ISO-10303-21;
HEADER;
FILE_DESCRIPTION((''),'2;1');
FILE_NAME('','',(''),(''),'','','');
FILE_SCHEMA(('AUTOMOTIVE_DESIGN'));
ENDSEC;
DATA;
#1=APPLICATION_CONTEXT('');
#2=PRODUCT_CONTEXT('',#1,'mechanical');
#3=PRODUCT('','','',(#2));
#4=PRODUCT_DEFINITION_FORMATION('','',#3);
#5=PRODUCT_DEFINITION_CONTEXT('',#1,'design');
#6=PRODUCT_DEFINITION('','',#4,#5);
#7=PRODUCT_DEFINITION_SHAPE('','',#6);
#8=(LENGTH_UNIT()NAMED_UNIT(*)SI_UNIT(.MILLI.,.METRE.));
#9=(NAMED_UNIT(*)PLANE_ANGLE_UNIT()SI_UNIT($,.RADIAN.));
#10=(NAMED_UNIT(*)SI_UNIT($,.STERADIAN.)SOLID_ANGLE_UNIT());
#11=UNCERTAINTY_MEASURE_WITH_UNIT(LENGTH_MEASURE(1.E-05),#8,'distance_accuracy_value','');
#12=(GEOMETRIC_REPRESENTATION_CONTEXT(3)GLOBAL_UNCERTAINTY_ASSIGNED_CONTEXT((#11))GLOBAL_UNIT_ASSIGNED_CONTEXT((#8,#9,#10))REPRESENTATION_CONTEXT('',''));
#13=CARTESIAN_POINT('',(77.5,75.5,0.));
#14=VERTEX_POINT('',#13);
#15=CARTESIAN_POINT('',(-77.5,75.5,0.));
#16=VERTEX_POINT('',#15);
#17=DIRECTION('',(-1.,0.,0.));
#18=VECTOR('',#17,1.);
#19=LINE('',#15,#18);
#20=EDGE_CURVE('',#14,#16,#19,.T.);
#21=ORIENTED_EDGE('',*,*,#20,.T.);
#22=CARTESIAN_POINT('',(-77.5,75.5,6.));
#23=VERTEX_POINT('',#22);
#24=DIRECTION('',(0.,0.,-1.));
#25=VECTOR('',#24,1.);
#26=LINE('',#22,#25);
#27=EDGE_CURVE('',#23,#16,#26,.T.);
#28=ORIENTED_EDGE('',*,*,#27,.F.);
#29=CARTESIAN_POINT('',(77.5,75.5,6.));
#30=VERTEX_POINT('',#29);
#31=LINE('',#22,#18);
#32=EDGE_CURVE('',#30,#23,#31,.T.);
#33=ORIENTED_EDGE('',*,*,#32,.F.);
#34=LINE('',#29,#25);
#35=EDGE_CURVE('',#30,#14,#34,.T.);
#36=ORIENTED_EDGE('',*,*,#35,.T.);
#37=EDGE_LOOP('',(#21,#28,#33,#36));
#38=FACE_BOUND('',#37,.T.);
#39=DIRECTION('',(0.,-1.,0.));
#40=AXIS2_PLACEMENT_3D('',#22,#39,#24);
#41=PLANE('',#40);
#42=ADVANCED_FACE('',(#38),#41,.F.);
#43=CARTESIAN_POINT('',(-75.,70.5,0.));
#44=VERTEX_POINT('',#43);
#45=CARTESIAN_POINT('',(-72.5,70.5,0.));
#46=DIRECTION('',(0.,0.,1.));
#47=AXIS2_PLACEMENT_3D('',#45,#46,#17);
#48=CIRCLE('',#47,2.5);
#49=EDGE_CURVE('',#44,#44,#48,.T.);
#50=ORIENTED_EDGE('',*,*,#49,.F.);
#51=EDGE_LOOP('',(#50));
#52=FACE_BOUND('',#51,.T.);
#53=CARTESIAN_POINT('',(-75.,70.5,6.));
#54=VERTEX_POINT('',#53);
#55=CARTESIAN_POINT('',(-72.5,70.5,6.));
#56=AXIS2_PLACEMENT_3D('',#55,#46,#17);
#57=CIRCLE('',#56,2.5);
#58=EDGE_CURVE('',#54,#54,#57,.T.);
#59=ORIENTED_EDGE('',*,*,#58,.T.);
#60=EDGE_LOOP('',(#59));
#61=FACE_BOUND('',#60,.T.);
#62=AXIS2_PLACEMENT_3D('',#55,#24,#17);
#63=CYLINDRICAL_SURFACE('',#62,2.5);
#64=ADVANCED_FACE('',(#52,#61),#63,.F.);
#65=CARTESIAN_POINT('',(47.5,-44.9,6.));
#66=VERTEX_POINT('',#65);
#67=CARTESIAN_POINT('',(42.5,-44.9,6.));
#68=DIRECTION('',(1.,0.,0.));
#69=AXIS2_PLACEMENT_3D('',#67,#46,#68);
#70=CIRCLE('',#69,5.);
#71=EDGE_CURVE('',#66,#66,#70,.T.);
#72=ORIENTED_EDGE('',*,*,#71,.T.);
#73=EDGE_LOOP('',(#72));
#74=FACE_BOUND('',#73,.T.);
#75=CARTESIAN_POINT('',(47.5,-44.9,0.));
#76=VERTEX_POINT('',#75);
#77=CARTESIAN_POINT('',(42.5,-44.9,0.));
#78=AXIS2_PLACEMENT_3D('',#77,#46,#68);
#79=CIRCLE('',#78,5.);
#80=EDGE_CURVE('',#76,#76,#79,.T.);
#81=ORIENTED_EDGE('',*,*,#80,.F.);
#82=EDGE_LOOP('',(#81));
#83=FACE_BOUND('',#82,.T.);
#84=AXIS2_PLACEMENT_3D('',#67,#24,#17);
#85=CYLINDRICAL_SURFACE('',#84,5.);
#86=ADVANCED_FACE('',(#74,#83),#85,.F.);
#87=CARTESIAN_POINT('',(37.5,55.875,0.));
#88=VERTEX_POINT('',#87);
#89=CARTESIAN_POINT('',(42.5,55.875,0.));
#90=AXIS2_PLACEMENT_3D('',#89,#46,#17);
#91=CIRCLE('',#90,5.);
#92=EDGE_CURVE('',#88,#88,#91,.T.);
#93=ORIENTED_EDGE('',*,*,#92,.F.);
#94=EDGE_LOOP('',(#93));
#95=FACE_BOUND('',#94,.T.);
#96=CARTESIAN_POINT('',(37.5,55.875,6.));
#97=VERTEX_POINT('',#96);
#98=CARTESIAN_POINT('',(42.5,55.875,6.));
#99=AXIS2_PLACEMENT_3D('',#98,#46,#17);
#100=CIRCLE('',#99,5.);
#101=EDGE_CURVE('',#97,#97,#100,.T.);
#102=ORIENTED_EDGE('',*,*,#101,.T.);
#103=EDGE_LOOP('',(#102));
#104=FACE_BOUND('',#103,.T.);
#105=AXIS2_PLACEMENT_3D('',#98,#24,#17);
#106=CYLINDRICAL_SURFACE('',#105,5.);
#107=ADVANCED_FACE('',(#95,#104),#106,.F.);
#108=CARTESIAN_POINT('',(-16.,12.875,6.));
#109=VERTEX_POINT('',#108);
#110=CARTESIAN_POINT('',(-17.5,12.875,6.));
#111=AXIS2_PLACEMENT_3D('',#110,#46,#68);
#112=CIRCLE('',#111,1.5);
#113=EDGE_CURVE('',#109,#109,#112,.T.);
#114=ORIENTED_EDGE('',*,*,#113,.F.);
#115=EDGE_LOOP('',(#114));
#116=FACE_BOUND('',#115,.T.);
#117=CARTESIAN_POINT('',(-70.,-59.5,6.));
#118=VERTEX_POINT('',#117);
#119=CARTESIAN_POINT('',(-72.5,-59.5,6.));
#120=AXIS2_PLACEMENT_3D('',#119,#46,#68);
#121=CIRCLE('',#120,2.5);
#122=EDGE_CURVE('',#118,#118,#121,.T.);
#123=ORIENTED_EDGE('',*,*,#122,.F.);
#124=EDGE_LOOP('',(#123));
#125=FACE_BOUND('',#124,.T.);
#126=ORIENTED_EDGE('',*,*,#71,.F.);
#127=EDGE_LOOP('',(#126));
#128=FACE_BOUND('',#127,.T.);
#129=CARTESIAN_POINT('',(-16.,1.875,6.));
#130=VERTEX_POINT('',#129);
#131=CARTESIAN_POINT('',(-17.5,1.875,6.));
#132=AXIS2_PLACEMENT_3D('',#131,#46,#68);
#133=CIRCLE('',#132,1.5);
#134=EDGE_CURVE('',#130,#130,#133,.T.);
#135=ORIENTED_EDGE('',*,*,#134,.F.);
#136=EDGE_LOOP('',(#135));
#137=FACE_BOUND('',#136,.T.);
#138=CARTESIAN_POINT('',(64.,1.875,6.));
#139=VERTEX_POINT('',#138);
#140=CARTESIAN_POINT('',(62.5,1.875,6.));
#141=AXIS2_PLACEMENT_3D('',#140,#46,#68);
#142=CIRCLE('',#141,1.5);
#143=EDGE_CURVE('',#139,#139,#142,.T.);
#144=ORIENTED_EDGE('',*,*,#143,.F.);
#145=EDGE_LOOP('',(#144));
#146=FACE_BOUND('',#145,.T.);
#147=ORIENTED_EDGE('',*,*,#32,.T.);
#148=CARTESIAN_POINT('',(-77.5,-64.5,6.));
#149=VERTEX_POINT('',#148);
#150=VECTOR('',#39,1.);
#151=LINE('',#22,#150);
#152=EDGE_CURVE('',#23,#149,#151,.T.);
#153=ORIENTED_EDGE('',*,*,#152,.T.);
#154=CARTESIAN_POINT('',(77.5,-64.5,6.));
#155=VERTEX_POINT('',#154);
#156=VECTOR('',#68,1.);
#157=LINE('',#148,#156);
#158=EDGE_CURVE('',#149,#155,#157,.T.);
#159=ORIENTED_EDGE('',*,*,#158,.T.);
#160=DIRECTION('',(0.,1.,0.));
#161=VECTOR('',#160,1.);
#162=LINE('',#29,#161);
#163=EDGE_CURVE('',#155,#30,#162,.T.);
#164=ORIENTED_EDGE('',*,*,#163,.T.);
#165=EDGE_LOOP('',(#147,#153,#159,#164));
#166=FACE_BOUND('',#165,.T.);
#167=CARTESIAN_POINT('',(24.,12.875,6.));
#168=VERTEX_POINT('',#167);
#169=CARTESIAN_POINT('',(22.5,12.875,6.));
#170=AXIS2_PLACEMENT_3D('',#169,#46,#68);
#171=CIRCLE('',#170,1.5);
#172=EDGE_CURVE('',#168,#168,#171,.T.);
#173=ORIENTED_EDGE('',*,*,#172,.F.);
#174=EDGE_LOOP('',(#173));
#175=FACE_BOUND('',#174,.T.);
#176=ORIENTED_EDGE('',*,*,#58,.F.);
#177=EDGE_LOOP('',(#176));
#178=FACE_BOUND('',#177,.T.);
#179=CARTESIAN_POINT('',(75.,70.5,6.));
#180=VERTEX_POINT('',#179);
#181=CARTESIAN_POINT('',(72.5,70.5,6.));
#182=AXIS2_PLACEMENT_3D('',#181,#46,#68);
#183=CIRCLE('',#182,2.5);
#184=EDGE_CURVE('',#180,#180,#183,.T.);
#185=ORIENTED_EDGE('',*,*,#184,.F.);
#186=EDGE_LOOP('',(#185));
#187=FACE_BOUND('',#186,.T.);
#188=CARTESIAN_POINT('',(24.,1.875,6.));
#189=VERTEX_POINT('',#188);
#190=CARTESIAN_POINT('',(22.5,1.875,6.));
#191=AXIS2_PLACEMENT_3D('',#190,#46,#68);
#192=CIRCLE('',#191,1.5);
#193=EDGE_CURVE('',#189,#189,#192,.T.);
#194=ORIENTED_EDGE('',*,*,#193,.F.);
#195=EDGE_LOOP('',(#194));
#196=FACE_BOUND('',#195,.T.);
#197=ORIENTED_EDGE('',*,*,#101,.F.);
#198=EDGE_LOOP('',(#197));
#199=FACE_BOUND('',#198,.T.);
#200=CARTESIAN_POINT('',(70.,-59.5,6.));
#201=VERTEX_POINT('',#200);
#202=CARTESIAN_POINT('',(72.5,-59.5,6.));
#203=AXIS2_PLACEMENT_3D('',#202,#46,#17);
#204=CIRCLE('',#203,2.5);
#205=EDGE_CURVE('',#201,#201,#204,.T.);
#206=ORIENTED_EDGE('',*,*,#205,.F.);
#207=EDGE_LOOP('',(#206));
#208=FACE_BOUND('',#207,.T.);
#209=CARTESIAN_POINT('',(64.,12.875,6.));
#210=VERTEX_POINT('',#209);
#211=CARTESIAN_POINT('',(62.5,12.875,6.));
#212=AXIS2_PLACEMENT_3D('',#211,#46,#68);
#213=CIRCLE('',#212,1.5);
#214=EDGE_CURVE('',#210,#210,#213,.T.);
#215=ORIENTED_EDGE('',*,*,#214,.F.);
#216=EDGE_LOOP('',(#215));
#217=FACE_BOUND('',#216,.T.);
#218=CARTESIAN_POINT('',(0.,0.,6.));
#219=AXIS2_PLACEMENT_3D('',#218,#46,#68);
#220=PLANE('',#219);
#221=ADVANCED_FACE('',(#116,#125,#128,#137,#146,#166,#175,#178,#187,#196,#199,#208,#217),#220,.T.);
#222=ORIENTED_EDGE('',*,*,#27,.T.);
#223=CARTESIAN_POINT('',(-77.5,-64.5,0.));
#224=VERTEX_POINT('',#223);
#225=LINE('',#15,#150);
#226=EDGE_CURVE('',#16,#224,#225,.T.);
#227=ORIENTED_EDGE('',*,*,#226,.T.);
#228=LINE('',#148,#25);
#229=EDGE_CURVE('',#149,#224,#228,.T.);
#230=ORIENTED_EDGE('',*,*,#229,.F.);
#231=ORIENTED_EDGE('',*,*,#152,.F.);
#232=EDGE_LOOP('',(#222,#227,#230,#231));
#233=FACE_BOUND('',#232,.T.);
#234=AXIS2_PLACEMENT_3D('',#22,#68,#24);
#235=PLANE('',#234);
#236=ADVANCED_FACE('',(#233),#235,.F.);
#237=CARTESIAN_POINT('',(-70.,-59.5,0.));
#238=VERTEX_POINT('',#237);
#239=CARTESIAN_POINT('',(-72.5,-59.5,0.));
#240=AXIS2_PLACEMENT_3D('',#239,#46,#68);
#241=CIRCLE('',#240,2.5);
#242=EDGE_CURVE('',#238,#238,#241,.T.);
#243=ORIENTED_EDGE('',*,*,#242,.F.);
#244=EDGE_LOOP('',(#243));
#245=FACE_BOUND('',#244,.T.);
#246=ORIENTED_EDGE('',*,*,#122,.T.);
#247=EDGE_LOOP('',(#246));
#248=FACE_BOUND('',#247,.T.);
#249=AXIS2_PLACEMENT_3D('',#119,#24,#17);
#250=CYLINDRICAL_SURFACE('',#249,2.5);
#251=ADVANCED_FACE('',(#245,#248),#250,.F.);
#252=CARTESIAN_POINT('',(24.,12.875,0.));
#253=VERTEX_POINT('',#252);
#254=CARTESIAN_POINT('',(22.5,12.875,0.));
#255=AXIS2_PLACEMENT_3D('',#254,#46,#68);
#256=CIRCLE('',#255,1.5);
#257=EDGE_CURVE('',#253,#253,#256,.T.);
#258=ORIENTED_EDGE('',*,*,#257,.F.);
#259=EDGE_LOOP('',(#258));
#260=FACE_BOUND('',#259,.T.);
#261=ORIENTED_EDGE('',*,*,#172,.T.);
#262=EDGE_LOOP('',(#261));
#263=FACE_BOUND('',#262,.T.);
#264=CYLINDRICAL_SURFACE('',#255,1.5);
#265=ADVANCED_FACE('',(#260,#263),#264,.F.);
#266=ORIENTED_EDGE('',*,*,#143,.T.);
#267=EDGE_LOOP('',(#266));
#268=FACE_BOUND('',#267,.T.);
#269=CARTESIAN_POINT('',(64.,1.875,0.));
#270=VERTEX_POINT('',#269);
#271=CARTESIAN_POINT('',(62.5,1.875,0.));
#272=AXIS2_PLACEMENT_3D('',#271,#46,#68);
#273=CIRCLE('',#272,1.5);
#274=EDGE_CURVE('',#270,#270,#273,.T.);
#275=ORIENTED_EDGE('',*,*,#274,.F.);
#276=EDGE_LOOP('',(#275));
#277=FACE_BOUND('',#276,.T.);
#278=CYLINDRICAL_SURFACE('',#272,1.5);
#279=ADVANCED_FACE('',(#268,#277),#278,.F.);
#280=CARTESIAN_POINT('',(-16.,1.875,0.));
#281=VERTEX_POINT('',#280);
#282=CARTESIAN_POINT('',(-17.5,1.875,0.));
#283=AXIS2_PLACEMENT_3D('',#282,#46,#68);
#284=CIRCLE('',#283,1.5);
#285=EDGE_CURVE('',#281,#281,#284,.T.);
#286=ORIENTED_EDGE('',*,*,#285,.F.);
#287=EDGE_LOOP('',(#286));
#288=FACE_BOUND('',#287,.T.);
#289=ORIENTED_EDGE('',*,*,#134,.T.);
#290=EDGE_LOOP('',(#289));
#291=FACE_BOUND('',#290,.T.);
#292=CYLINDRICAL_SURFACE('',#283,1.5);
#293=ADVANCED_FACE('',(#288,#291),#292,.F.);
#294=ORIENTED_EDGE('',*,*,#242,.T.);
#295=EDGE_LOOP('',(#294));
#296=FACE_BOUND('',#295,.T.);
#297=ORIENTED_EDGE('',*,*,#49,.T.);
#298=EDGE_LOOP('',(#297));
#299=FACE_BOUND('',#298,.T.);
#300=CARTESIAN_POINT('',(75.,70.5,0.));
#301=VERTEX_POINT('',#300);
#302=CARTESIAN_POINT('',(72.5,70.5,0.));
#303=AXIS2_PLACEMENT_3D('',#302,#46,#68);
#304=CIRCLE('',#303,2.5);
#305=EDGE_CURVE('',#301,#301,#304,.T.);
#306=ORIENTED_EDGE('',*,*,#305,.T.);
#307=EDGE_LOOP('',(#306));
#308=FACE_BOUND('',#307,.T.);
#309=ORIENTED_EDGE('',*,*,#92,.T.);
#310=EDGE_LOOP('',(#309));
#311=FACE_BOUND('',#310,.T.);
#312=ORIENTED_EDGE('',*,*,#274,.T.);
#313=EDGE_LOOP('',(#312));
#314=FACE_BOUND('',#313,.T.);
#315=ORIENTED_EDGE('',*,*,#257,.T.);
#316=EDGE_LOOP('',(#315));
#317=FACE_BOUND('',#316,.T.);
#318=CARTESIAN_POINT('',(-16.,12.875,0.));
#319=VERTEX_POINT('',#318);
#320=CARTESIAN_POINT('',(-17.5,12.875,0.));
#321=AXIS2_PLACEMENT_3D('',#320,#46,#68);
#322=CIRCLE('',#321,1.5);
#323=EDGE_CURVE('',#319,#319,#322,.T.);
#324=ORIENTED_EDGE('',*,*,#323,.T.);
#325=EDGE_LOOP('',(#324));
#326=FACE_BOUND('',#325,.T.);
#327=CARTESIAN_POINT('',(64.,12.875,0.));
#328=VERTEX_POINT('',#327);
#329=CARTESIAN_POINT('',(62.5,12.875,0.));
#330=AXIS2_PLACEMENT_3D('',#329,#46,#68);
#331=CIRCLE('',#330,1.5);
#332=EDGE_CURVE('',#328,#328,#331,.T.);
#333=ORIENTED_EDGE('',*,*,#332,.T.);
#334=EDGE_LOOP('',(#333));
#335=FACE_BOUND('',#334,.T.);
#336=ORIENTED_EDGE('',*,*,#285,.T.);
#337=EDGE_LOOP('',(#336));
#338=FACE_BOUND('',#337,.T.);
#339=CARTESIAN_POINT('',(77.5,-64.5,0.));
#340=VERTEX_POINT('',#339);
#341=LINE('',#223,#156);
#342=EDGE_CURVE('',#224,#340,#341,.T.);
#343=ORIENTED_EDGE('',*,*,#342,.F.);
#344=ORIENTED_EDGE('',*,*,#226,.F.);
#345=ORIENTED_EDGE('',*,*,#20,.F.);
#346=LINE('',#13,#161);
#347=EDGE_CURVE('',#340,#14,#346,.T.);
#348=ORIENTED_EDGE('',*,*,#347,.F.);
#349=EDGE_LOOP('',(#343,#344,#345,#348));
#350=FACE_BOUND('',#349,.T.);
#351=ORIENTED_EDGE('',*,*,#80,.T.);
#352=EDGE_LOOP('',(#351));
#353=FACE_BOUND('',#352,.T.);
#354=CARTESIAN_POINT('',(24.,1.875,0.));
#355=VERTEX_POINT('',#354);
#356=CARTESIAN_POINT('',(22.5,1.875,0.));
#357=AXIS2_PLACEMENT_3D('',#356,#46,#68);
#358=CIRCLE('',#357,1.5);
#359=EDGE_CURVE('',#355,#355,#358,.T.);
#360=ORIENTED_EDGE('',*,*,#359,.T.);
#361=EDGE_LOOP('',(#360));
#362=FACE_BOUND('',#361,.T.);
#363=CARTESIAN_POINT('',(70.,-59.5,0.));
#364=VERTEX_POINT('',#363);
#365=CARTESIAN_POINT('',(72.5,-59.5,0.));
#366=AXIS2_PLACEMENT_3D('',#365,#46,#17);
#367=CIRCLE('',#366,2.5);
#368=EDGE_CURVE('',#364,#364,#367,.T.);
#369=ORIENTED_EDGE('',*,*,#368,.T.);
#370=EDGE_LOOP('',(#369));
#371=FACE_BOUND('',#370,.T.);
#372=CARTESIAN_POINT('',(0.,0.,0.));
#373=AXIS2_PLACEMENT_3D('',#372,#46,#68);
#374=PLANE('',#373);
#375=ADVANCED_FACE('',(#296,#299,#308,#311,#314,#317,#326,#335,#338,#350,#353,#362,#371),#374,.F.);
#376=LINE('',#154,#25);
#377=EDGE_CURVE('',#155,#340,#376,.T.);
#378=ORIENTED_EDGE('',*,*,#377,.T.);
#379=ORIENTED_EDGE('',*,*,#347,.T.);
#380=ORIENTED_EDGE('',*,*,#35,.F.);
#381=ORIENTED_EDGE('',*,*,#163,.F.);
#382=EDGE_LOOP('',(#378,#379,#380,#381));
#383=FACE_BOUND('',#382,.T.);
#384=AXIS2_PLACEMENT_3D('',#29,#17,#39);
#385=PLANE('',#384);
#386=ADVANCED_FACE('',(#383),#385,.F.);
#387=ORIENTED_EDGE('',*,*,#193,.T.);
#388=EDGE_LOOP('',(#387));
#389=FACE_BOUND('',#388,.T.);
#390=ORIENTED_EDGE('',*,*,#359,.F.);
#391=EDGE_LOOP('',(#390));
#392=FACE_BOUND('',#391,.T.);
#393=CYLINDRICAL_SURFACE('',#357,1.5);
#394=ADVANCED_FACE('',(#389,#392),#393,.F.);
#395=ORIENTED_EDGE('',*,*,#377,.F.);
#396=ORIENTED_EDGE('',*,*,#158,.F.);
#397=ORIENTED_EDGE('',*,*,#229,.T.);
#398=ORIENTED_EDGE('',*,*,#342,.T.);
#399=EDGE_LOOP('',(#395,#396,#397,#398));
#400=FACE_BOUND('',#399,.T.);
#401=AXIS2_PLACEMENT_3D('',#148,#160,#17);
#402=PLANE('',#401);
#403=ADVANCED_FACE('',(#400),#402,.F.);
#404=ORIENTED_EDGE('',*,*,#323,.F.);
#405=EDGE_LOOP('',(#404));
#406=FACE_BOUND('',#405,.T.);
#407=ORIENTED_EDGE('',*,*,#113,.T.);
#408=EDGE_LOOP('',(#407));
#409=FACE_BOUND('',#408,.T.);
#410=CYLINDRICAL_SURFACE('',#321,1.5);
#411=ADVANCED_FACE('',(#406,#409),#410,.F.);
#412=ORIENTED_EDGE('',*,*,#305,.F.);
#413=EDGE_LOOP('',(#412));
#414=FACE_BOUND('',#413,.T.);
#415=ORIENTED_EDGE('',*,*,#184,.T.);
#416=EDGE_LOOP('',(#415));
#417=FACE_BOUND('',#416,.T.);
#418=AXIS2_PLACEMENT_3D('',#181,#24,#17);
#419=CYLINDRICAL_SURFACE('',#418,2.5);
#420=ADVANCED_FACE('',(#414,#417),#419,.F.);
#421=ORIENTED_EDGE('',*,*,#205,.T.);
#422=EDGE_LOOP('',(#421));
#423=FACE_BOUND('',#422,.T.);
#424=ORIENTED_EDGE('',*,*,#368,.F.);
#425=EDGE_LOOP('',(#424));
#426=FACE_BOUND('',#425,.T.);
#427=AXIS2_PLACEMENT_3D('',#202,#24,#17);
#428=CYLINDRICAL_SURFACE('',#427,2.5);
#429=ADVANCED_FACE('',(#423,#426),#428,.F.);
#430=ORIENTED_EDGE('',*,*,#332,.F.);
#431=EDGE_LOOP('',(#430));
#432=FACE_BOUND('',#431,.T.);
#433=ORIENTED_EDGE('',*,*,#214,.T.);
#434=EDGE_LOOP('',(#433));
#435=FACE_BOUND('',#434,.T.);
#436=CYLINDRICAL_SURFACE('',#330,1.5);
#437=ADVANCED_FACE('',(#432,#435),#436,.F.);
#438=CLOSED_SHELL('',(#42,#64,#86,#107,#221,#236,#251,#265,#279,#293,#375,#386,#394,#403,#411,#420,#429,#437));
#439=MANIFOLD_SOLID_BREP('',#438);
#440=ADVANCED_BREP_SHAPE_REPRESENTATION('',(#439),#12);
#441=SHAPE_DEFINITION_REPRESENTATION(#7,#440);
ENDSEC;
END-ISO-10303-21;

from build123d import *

# Parameters (mm, degrees)
ESQUISSE1_W             = 155
ESQUISSE1_H             = 140
ESQUISSE1_R             = 5
ESQUISSE1_R_2           = 2.5
BOSS_EXTRU_1_DEPTH      = 6
ESQUISSE6_R             = 1.5
ENL_V_MAT_EXTRU_1_DEPTH = 6


with BuildPart() as part:
    # Esquisse1 → Boss.-Extru.1 (new body)
    with BuildSketch(Plane.XY):
        with Locations((0, 5.5)):
            Rectangle(ESQUISSE1_W, ESQUISSE1_H)
        with Locations((42.5, -44.9)):
            Circle(ESQUISSE1_R, mode=Mode.SUBTRACT)
        with Locations((42.5, 55.875)):
            Circle(ESQUISSE1_R, mode=Mode.SUBTRACT)
        with Locations((-72.5, -59.5)):
            Circle(ESQUISSE1_R_2, mode=Mode.SUBTRACT)
        with Locations((-72.5, 70.5)):
            Circle(ESQUISSE1_R_2, mode=Mode.SUBTRACT)
        with Locations((72.5, -59.5)):
            Circle(ESQUISSE1_R_2, mode=Mode.SUBTRACT)
        with Locations((72.5, 70.5)):
            Circle(ESQUISSE1_R_2, mode=Mode.SUBTRACT)
    extrude(amount=BOSS_EXTRU_1_DEPTH)

    # Esquisse6 → Enlèv. mat.-Extru.1 (cut)
    with BuildSketch(Plane.XY.offset(6)):
        with Locations((-17.5, 12.875)):
            Circle(ESQUISSE6_R)
        with Locations((22.5, 12.875)):
            Circle(ESQUISSE6_R)
        with Locations((62.5, 12.875)):
            Circle(ESQUISSE6_R)
        with Locations((62.5, 1.875)):
            Circle(ESQUISSE6_R)
        with Locations((22.5, 1.875)):
            Circle(ESQUISSE6_R)
        with Locations((-17.5, 1.875)):
            Circle(ESQUISSE6_R)
    extrude(amount=-ENL_V_MAT_EXTRU_1_DEPTH, mode=Mode.SUBTRACT)


solid = part.part
